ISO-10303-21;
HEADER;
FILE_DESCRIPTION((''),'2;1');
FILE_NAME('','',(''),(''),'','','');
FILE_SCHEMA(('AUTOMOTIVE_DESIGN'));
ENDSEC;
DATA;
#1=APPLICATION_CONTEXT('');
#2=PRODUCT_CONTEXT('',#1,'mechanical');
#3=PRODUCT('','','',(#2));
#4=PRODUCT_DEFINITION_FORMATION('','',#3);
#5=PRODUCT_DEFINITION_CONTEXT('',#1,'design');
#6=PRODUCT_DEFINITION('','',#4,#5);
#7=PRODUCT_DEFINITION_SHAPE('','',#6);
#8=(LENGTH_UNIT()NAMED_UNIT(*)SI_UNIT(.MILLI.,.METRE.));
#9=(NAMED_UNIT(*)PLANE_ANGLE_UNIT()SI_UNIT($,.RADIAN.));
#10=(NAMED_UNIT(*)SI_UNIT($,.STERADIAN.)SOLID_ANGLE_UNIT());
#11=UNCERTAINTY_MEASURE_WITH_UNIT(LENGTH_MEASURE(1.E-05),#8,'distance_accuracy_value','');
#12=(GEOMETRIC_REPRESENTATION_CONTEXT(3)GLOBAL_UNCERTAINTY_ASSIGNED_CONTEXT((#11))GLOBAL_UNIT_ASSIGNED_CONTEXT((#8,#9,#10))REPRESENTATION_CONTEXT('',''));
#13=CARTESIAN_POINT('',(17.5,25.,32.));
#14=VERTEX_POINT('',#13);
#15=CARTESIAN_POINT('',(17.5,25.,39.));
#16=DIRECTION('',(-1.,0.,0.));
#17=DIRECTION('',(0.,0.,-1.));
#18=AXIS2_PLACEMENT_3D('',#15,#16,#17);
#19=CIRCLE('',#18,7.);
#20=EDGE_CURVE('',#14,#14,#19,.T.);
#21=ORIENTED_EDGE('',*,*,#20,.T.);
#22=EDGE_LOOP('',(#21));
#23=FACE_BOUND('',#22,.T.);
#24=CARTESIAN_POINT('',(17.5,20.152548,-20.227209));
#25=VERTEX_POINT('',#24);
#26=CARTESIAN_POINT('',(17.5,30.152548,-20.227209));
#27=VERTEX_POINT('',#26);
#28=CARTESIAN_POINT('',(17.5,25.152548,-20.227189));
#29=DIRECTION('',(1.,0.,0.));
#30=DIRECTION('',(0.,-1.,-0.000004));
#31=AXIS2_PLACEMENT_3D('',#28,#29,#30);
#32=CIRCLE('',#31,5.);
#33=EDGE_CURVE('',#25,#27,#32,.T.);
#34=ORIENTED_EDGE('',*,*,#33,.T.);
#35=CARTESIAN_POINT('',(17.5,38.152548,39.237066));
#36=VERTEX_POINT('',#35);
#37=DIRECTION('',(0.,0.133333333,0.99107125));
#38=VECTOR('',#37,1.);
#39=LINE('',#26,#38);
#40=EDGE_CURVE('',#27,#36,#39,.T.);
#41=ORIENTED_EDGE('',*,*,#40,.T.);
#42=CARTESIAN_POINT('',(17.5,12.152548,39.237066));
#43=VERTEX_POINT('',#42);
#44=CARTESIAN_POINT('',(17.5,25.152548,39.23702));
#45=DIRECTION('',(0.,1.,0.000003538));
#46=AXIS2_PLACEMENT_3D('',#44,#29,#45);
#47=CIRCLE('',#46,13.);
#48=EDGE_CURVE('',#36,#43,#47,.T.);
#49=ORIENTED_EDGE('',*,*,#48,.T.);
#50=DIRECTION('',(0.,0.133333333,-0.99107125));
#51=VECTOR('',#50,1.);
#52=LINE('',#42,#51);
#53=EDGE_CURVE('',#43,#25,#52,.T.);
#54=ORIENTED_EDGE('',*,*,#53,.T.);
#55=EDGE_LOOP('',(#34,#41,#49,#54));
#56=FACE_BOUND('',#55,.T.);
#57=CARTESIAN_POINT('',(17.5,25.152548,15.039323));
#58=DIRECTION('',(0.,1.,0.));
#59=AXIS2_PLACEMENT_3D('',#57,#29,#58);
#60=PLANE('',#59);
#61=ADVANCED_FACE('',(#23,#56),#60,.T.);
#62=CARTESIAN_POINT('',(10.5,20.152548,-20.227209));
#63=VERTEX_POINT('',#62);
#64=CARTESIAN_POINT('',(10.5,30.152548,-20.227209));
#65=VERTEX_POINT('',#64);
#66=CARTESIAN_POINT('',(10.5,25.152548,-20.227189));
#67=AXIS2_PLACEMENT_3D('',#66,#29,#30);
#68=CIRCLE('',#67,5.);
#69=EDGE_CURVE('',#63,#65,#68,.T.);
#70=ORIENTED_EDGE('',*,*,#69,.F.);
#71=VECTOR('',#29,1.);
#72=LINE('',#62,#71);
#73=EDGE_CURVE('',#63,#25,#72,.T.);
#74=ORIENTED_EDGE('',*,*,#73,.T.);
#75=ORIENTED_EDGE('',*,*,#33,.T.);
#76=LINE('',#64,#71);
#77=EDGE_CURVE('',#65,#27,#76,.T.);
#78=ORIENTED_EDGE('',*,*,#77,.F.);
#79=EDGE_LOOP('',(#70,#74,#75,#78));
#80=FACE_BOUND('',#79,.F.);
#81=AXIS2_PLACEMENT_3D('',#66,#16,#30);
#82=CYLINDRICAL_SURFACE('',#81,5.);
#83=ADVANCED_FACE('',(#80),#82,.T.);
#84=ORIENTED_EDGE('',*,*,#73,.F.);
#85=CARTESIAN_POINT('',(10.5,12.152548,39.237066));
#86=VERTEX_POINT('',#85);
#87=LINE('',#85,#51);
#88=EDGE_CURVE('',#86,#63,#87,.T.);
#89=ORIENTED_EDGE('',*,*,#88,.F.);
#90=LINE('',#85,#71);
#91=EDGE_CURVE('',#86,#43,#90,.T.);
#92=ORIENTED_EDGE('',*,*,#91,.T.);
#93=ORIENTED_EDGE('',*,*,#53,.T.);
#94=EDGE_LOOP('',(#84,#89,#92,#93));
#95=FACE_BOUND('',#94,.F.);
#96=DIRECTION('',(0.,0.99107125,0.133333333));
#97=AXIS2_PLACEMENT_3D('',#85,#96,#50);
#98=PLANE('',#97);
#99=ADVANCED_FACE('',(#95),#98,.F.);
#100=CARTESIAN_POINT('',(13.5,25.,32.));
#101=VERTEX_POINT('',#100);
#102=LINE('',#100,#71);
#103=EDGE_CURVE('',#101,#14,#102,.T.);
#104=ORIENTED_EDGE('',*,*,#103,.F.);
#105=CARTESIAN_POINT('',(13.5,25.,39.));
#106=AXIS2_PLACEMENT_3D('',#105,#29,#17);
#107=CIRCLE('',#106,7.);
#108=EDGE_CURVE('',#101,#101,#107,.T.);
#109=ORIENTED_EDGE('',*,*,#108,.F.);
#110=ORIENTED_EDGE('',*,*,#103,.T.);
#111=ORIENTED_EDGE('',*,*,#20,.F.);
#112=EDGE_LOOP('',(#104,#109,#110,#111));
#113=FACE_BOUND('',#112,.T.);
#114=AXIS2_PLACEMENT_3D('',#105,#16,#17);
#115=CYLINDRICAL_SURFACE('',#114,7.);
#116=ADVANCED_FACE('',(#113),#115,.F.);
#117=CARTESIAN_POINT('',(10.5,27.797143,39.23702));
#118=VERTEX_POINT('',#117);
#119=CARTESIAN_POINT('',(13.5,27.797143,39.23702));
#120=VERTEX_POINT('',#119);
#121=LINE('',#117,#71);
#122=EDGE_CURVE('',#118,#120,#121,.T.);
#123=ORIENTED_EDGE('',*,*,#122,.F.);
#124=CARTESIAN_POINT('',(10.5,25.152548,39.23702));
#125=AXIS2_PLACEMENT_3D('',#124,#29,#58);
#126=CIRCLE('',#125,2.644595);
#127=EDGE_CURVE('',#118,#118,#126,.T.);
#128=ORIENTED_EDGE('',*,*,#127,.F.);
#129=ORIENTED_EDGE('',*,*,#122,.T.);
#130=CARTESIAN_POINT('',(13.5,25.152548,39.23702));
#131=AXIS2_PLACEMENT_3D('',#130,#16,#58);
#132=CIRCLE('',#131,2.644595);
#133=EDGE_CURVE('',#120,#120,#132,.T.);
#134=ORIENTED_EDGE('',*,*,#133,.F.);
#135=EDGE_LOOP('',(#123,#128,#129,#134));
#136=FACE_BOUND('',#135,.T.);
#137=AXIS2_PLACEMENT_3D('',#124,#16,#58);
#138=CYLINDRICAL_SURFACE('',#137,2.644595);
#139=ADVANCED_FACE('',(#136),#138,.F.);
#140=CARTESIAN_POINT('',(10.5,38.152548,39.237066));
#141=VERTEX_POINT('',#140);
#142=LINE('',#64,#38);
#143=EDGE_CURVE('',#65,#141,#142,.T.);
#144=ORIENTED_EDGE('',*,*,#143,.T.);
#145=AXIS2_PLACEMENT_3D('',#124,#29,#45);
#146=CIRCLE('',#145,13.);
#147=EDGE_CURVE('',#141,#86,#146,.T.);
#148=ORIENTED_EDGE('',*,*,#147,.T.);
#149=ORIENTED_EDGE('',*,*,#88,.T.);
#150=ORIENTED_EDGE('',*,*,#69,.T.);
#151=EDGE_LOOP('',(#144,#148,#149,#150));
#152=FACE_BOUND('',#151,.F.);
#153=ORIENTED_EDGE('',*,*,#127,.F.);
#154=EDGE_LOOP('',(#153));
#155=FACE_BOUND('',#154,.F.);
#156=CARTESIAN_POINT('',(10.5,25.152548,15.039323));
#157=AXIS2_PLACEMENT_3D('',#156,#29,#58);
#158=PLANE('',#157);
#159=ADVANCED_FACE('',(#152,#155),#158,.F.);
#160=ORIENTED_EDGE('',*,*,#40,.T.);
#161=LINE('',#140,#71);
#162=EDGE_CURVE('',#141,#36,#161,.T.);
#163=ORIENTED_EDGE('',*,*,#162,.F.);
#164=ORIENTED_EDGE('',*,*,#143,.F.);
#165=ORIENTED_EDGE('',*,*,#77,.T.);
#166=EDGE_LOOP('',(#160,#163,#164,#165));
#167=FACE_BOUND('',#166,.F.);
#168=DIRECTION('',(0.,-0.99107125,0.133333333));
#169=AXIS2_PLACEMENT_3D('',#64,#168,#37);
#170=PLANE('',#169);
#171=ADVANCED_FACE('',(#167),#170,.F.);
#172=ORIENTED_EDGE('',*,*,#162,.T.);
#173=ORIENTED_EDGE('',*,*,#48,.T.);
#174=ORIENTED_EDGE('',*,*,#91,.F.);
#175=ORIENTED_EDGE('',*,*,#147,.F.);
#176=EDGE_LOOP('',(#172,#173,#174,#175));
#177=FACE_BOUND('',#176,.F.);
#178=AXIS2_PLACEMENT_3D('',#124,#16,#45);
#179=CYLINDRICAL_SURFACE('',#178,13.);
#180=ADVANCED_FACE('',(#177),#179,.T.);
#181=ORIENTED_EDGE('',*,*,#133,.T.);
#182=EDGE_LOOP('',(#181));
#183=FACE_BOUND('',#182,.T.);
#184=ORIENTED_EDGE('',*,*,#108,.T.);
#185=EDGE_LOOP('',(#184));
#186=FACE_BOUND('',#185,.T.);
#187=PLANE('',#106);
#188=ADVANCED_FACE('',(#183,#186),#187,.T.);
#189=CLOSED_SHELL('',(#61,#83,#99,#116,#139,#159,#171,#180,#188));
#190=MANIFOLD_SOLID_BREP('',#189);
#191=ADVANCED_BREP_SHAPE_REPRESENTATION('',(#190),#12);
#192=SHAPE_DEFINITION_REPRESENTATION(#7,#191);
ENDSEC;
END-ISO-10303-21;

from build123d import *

# Parameters (mm, degrees)
CYLINDER_R     = 7
CYLINDER_DEPTH = 5
SKETCH_R       = 2.644595
PAD_DEPTH      = 7


with BuildPart() as cylinder:
    # Cylinder → Cylinder (new body)
    with BuildSketch(Plane(origin=(13.5, 25, 39), x_dir=(0, 0, -1), z_dir=(1, 0, 0))):
        Circle(CYLINDER_R)
    extrude(amount=CYLINDER_DEPTH)


with BuildPart() as cut:
    # Sketch → Pad (new body)
    with BuildSketch(Plane.YZ):
        with BuildLine():
            Line((12.552548, 39.037066), (20.552548, -20.427209))
            ThreePointArc((20.552548, -20.427209), (25.552548, -25.427189), (30.552548, -20.427209))
            Line((30.552548, -20.427209), (38.552548, 39.037066))
            ThreePointArc((38.552548, 39.037066), (25.552548, 52.03702), (12.552548, 39.037066))
        make_face()
        with Locations((25.552548, 39.03702)):
            Circle(SKETCH_R, mode=Mode.SUBTRACT)
    extrude(amount=PAD_DEPTH)


with BuildPart() as cut_1:
    # Body placement: moved
    add(cut.part.moved(Location((10.5, -0.4, 0.2))))

    # Cut: cut Cylinder
    add(cylinder.part, mode=Mode.SUBTRACT)


solid = cut_1.part
